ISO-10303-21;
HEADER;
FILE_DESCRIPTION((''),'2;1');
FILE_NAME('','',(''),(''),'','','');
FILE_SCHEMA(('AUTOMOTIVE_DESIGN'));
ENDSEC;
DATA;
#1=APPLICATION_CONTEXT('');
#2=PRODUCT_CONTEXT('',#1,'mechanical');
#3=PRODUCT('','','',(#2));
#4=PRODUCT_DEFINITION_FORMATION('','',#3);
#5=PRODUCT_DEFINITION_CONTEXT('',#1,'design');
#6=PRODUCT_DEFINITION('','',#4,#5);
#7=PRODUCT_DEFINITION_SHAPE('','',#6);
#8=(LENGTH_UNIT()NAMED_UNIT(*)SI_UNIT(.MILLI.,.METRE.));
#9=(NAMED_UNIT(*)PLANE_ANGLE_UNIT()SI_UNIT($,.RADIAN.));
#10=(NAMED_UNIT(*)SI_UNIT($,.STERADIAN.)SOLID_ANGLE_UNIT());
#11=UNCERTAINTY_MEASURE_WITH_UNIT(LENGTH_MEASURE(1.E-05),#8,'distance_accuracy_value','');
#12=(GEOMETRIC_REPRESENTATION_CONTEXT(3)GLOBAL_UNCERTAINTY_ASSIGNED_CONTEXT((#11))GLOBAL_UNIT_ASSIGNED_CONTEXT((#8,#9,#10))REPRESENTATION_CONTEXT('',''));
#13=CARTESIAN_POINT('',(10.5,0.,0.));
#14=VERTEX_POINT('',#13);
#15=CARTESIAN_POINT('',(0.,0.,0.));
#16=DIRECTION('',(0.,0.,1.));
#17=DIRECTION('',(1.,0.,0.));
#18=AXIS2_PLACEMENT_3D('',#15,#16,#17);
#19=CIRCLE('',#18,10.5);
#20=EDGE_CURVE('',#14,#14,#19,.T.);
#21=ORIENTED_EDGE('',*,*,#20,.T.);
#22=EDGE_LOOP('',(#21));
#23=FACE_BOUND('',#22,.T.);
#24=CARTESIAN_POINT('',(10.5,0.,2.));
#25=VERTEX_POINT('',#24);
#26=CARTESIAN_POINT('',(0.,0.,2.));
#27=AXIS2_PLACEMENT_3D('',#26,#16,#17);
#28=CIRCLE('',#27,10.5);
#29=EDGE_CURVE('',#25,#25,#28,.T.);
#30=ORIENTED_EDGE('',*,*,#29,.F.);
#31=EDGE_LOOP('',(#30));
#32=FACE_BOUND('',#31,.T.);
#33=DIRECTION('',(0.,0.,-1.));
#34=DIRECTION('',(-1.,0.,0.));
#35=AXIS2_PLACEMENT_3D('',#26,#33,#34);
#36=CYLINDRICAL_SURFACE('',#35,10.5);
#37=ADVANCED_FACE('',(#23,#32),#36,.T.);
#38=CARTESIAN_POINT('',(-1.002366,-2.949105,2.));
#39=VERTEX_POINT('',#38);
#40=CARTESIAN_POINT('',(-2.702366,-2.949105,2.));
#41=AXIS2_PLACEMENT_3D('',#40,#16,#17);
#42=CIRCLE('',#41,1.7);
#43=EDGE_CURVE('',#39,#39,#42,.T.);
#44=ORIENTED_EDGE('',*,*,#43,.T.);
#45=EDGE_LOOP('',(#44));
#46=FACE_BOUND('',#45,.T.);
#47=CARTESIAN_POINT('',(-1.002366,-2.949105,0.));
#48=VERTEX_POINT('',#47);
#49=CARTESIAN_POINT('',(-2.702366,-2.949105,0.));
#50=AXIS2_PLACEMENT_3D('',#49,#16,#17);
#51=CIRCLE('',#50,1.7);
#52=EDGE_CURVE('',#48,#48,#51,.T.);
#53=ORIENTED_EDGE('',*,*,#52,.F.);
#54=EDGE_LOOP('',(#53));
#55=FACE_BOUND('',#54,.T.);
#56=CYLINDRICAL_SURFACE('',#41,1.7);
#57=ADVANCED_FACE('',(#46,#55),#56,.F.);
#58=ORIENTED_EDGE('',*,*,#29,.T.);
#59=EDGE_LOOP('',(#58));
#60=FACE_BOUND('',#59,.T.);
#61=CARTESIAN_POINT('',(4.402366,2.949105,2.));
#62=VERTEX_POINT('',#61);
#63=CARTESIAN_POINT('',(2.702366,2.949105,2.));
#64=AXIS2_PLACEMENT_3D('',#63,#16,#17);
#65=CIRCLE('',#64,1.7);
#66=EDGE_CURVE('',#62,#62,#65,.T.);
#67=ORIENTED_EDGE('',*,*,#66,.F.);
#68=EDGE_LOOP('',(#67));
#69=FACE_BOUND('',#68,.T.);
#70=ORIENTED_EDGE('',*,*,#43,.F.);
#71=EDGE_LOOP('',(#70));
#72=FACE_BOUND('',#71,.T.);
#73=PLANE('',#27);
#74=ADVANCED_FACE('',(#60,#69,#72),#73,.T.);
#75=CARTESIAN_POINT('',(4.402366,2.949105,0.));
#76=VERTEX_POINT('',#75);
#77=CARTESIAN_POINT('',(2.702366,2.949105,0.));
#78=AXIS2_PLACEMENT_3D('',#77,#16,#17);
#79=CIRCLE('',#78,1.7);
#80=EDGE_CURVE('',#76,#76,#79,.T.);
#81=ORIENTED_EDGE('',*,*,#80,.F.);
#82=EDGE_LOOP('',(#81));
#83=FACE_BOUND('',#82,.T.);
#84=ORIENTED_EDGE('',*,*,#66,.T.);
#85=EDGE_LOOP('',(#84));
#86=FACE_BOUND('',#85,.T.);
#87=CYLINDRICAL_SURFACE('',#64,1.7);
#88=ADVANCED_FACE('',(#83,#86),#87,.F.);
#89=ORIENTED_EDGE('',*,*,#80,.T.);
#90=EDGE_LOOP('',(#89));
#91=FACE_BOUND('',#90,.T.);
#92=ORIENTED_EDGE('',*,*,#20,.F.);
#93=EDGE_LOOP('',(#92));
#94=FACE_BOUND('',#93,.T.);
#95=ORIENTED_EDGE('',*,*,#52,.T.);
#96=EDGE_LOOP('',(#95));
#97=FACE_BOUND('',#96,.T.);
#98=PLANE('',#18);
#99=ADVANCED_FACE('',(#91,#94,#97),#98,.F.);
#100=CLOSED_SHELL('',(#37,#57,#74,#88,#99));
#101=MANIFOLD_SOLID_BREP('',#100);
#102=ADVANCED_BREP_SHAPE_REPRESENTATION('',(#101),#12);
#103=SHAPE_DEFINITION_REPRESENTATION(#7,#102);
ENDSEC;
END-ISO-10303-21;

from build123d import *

# Parameters (mm, degrees)
SKETCH_1_R        = 10.5
EXTRUDE_1_DEPTH   = 2
HOLE_WIZARD_M31_D = 3.4


with BuildPart() as part:
    # Эскиз1 → Бобышка-Вытянуть1 (new body)
    with BuildSketch(Plane.XY):
        Circle(SKETCH_1_R)
    extrude(amount=EXTRUDE_1_DEPTH)

    # Отверстие с зазором M31 (through all)
    with Locations(Plane.XY.offset(2)):
        with Locations((2.702365719, 2.949104868), (-2.702365719, -2.949104868)):
            Hole(HOLE_WIZARD_M31_D / 2)


solid = part.part
